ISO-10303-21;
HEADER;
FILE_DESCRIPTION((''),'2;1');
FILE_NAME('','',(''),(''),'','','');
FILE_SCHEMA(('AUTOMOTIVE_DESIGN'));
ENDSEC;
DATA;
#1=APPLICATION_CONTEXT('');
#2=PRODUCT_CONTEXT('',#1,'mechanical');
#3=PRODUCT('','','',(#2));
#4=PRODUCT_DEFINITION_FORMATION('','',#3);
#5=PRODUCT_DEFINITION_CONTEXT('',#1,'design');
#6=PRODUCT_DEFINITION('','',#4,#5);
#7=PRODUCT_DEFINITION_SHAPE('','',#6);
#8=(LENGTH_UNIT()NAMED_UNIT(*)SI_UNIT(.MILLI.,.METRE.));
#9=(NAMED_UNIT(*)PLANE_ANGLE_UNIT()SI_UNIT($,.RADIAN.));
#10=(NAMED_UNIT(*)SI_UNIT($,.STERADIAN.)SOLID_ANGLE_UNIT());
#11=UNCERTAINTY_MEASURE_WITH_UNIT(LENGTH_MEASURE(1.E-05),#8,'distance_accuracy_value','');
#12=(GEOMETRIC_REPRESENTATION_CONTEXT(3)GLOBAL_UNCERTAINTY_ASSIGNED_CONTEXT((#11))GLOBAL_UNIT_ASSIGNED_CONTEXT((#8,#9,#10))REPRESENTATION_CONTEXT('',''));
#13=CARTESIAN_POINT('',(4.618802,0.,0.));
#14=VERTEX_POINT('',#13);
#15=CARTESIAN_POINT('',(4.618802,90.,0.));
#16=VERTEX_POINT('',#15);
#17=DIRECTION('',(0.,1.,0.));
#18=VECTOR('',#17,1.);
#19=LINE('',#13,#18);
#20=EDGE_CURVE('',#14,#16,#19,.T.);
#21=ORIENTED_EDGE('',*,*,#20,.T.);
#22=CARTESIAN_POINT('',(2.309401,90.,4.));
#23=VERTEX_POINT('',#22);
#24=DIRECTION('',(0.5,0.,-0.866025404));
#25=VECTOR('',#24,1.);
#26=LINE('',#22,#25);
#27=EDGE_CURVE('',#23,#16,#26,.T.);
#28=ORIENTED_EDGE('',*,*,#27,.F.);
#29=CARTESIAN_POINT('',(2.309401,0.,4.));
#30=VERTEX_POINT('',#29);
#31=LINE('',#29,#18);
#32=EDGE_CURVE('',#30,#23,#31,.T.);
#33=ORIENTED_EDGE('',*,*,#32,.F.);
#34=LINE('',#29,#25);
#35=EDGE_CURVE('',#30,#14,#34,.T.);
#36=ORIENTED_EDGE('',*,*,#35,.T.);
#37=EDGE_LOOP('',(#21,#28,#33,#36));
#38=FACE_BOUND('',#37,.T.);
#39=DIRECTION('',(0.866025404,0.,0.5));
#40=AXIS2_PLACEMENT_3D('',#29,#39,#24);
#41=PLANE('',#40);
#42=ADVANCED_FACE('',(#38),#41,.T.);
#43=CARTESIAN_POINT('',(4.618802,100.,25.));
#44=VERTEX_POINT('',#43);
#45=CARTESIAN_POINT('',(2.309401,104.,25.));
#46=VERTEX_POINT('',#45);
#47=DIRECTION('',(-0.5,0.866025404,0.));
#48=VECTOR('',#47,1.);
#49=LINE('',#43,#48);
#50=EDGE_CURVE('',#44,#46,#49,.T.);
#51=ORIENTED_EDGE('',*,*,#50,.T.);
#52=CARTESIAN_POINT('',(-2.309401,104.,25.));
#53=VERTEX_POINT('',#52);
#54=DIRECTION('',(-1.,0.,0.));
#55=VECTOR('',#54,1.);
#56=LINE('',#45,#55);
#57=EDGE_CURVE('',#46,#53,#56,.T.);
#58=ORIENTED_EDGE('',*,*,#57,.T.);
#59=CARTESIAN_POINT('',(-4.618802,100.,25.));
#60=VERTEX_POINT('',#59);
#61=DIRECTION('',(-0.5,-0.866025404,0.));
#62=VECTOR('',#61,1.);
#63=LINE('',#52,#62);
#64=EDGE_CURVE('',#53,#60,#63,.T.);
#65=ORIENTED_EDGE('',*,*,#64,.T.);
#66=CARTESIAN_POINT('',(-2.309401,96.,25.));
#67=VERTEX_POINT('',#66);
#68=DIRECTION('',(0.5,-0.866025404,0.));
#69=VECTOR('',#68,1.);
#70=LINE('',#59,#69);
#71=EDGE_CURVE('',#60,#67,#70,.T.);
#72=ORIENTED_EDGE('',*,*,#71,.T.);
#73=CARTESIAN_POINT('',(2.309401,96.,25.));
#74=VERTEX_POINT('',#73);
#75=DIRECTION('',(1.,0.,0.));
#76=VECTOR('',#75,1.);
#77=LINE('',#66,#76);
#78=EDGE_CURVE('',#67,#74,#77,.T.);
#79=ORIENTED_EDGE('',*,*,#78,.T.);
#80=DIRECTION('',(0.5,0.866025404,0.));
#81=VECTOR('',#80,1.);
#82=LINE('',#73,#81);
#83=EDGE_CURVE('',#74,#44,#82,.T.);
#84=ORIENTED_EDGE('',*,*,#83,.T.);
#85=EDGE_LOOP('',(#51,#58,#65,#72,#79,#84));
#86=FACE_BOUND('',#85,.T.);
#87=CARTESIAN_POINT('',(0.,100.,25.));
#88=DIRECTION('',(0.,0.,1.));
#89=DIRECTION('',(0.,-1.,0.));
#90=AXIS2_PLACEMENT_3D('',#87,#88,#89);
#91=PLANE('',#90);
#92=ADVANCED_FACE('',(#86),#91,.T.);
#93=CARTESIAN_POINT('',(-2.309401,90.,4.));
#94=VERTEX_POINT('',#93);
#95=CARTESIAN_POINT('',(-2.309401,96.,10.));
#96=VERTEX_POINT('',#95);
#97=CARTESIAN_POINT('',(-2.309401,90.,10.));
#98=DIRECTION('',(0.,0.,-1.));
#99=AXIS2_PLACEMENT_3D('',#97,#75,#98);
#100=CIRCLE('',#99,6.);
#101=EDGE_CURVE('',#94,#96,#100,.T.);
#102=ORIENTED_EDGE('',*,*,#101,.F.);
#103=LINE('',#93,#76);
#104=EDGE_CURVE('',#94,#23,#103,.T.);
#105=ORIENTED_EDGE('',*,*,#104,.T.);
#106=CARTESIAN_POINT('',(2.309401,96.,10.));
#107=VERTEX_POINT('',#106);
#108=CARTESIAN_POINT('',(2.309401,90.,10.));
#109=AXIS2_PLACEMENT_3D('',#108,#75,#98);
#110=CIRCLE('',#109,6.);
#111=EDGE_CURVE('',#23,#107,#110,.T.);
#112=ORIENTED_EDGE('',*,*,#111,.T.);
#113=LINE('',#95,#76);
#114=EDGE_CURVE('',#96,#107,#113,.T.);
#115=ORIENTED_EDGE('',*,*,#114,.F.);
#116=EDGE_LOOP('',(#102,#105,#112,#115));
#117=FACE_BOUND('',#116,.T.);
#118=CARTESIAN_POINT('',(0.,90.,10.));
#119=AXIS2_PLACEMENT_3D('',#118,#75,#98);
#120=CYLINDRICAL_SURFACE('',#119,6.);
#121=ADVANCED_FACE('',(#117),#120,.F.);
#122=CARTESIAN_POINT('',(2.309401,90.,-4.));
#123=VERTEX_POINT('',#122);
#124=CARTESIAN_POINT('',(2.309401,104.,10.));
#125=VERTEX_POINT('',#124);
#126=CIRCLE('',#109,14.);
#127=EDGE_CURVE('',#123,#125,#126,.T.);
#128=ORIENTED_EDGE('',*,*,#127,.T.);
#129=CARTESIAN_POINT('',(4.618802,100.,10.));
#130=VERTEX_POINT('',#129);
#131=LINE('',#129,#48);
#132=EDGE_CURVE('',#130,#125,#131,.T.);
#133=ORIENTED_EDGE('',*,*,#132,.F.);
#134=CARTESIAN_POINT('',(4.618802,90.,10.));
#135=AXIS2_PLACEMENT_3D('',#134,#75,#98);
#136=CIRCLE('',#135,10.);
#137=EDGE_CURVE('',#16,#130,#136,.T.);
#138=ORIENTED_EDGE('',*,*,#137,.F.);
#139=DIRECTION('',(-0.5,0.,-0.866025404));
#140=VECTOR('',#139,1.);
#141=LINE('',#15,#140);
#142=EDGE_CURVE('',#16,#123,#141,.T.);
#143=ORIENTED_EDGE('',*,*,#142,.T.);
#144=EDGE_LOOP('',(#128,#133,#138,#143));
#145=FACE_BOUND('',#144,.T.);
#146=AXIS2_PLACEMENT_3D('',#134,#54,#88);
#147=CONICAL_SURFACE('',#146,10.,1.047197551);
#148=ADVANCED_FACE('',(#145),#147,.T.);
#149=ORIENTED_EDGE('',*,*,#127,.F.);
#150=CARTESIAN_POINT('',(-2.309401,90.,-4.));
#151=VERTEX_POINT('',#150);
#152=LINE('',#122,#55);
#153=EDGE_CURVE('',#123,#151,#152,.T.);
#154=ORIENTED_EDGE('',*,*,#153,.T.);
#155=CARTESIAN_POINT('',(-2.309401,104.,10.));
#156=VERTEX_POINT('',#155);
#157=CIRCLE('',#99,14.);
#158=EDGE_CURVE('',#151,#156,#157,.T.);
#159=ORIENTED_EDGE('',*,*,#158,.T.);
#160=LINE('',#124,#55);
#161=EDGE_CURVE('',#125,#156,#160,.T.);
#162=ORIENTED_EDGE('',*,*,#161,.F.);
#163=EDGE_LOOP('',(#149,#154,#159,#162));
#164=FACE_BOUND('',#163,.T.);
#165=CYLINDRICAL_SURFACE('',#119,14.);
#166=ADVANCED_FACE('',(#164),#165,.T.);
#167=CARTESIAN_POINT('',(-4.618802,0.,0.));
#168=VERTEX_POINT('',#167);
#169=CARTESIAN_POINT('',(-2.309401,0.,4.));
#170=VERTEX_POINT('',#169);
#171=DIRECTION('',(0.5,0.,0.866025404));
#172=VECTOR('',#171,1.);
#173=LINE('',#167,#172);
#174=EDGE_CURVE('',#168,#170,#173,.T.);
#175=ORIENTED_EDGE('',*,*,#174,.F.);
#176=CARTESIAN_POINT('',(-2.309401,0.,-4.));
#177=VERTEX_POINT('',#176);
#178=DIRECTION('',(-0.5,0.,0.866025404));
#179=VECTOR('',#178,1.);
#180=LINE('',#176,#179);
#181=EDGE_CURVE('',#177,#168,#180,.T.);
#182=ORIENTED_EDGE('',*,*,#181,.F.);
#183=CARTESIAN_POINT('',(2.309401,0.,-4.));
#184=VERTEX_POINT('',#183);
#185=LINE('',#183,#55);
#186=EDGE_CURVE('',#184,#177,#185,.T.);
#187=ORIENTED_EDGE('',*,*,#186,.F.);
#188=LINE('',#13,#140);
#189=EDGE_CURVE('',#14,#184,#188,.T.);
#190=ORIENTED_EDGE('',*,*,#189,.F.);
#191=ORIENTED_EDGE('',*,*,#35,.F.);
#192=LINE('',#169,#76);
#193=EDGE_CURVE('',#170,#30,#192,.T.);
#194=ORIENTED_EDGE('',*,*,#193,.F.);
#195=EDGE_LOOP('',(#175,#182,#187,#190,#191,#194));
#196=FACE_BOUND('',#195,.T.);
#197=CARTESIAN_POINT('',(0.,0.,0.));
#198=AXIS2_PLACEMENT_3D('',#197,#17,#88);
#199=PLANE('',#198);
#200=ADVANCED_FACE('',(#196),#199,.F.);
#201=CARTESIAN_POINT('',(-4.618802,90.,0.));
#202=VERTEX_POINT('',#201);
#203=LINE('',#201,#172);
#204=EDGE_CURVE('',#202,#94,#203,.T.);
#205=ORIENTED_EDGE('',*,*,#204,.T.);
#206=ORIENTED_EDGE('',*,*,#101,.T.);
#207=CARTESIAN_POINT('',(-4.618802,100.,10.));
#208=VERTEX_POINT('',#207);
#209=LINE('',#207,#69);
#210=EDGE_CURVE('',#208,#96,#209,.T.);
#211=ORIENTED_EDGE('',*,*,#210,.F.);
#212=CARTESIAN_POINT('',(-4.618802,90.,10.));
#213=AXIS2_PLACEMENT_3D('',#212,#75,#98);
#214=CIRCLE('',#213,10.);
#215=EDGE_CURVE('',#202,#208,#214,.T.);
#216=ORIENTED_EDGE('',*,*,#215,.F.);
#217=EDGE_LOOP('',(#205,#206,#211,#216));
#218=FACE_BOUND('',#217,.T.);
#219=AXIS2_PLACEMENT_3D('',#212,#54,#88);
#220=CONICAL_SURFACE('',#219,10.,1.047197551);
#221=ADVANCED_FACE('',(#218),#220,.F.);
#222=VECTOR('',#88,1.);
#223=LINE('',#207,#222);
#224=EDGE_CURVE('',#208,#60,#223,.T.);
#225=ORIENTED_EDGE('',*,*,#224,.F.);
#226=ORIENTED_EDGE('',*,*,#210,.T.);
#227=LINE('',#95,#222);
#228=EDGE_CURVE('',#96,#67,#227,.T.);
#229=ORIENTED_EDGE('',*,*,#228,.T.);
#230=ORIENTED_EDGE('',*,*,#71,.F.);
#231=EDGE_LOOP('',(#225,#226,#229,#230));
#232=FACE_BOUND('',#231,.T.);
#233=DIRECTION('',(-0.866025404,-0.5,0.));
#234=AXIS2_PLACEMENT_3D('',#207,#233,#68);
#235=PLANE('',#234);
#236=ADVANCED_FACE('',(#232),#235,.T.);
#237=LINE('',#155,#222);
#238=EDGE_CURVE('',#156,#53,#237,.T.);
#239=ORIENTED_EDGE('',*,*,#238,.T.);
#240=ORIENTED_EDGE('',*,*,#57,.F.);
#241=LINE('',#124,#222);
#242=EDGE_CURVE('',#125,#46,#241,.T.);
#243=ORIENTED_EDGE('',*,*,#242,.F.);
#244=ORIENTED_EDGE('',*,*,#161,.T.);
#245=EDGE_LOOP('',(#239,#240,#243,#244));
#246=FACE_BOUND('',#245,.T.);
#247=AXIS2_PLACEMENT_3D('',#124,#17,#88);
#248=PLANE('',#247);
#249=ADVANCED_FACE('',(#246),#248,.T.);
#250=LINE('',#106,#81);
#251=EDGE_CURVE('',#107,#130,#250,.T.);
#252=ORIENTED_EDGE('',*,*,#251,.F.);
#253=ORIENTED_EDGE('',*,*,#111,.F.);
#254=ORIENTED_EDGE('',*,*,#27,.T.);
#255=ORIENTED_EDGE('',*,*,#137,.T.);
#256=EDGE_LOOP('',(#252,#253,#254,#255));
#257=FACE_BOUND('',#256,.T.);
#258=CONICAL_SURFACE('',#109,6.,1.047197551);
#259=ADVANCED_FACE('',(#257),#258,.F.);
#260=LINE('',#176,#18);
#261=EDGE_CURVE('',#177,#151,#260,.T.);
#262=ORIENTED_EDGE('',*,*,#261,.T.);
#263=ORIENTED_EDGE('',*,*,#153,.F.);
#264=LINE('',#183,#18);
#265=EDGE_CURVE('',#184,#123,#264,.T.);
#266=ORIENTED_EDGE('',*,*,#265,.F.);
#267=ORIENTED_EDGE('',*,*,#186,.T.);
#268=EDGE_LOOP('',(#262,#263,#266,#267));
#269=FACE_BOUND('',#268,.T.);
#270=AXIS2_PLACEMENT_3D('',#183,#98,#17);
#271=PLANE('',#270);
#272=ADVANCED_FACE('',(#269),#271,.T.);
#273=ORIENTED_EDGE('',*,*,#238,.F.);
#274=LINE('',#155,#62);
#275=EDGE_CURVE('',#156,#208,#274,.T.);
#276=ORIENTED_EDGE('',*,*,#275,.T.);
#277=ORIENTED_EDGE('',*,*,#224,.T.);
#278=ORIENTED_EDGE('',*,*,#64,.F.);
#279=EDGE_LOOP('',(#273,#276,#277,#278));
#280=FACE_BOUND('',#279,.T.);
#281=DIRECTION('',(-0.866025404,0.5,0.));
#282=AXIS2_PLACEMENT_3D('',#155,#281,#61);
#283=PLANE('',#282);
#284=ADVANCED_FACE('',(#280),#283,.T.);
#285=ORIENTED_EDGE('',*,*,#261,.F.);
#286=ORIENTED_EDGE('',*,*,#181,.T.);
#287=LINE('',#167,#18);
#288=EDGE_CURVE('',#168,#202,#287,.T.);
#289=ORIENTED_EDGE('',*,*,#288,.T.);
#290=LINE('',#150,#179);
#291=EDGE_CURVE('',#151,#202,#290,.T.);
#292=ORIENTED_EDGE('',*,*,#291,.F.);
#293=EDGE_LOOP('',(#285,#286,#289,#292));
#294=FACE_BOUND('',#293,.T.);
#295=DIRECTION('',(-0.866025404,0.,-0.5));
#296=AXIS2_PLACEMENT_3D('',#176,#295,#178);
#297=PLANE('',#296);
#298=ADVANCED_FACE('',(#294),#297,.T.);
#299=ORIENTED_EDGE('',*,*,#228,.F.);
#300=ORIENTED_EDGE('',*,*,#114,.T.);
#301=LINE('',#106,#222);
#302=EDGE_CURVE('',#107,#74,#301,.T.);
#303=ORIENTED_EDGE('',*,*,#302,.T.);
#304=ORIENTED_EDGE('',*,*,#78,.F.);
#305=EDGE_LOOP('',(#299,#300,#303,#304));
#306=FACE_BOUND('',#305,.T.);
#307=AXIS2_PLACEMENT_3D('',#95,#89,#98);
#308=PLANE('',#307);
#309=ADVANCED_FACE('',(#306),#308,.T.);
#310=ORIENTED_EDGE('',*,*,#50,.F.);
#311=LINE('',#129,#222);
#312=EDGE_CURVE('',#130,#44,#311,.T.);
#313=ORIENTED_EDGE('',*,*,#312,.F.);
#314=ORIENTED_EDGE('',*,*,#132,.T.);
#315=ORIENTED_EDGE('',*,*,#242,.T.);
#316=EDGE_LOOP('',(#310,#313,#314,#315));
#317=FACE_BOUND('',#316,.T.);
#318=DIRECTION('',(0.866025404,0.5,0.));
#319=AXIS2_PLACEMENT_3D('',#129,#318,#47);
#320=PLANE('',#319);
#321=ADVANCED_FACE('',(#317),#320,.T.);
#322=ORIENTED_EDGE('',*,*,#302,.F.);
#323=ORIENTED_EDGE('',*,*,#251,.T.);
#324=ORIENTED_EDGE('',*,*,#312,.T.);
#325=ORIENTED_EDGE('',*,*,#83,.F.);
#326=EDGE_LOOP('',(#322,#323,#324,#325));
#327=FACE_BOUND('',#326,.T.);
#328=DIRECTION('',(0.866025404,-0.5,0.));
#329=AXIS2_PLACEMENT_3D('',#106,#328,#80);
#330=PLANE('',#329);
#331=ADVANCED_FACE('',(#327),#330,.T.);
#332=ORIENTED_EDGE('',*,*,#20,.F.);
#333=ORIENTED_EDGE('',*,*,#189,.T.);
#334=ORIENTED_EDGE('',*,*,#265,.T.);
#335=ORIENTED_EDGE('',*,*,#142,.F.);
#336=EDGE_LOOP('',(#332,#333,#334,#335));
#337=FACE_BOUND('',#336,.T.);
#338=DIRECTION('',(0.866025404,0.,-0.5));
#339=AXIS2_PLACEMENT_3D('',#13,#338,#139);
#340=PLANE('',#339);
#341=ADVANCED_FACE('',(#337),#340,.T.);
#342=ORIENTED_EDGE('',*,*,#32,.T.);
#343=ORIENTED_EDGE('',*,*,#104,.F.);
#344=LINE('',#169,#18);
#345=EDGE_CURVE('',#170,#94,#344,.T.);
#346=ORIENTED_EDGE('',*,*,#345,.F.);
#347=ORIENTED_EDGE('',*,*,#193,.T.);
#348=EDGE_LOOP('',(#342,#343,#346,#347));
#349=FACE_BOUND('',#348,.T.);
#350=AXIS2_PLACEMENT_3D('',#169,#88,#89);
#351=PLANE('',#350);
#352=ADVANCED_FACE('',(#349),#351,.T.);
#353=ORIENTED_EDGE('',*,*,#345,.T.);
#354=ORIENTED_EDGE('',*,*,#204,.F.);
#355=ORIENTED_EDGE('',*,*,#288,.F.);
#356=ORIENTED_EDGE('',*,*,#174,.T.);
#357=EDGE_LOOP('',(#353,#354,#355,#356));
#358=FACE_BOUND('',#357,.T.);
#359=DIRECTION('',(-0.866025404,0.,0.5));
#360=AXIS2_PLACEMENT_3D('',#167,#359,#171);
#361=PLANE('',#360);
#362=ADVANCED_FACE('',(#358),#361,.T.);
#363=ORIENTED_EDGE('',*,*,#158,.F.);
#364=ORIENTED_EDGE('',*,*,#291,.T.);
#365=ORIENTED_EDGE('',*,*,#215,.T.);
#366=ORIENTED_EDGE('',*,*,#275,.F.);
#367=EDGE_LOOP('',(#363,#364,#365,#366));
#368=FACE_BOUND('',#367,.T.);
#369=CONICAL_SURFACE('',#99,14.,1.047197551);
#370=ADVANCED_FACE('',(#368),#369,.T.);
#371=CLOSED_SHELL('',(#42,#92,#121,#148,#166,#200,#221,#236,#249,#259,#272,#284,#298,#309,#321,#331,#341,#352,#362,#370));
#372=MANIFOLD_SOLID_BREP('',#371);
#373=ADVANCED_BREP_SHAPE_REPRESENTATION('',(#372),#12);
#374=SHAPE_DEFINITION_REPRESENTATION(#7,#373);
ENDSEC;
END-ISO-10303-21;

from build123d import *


with BuildPart() as part:
    # Táhnout po křivce1: sweep along a path in Skica4
    with BuildLine(Plane(origin=(0, 0, 0), x_dir=(0, 0, -1), z_dir=(1, 0, 0))) as t_hnout_po_k_ivce1_path:
        Line((0, 0), (0, 90))
        ThreePointArc((0, 90), (-2.928932188, 97.071067812), (-10, 100))
        Line((-10, 100), (-25, 100))
    # Skica2 → Táhnout po křivce1 (sweep)
    with BuildSketch(Plane(origin=(0, 0, 0), x_dir=(1, 0, 0), z_dir=(0, 1, 0))):
        Polygon((2.309401077, -4), (4.618802154, 0), (2.309401077, 4), (-2.309401077, 4), (-4.618802154, 0), (-2.309401077, -4), align=None)
    sweep(path=t_hnout_po_k_ivce1_path.line)


solid = part.part
